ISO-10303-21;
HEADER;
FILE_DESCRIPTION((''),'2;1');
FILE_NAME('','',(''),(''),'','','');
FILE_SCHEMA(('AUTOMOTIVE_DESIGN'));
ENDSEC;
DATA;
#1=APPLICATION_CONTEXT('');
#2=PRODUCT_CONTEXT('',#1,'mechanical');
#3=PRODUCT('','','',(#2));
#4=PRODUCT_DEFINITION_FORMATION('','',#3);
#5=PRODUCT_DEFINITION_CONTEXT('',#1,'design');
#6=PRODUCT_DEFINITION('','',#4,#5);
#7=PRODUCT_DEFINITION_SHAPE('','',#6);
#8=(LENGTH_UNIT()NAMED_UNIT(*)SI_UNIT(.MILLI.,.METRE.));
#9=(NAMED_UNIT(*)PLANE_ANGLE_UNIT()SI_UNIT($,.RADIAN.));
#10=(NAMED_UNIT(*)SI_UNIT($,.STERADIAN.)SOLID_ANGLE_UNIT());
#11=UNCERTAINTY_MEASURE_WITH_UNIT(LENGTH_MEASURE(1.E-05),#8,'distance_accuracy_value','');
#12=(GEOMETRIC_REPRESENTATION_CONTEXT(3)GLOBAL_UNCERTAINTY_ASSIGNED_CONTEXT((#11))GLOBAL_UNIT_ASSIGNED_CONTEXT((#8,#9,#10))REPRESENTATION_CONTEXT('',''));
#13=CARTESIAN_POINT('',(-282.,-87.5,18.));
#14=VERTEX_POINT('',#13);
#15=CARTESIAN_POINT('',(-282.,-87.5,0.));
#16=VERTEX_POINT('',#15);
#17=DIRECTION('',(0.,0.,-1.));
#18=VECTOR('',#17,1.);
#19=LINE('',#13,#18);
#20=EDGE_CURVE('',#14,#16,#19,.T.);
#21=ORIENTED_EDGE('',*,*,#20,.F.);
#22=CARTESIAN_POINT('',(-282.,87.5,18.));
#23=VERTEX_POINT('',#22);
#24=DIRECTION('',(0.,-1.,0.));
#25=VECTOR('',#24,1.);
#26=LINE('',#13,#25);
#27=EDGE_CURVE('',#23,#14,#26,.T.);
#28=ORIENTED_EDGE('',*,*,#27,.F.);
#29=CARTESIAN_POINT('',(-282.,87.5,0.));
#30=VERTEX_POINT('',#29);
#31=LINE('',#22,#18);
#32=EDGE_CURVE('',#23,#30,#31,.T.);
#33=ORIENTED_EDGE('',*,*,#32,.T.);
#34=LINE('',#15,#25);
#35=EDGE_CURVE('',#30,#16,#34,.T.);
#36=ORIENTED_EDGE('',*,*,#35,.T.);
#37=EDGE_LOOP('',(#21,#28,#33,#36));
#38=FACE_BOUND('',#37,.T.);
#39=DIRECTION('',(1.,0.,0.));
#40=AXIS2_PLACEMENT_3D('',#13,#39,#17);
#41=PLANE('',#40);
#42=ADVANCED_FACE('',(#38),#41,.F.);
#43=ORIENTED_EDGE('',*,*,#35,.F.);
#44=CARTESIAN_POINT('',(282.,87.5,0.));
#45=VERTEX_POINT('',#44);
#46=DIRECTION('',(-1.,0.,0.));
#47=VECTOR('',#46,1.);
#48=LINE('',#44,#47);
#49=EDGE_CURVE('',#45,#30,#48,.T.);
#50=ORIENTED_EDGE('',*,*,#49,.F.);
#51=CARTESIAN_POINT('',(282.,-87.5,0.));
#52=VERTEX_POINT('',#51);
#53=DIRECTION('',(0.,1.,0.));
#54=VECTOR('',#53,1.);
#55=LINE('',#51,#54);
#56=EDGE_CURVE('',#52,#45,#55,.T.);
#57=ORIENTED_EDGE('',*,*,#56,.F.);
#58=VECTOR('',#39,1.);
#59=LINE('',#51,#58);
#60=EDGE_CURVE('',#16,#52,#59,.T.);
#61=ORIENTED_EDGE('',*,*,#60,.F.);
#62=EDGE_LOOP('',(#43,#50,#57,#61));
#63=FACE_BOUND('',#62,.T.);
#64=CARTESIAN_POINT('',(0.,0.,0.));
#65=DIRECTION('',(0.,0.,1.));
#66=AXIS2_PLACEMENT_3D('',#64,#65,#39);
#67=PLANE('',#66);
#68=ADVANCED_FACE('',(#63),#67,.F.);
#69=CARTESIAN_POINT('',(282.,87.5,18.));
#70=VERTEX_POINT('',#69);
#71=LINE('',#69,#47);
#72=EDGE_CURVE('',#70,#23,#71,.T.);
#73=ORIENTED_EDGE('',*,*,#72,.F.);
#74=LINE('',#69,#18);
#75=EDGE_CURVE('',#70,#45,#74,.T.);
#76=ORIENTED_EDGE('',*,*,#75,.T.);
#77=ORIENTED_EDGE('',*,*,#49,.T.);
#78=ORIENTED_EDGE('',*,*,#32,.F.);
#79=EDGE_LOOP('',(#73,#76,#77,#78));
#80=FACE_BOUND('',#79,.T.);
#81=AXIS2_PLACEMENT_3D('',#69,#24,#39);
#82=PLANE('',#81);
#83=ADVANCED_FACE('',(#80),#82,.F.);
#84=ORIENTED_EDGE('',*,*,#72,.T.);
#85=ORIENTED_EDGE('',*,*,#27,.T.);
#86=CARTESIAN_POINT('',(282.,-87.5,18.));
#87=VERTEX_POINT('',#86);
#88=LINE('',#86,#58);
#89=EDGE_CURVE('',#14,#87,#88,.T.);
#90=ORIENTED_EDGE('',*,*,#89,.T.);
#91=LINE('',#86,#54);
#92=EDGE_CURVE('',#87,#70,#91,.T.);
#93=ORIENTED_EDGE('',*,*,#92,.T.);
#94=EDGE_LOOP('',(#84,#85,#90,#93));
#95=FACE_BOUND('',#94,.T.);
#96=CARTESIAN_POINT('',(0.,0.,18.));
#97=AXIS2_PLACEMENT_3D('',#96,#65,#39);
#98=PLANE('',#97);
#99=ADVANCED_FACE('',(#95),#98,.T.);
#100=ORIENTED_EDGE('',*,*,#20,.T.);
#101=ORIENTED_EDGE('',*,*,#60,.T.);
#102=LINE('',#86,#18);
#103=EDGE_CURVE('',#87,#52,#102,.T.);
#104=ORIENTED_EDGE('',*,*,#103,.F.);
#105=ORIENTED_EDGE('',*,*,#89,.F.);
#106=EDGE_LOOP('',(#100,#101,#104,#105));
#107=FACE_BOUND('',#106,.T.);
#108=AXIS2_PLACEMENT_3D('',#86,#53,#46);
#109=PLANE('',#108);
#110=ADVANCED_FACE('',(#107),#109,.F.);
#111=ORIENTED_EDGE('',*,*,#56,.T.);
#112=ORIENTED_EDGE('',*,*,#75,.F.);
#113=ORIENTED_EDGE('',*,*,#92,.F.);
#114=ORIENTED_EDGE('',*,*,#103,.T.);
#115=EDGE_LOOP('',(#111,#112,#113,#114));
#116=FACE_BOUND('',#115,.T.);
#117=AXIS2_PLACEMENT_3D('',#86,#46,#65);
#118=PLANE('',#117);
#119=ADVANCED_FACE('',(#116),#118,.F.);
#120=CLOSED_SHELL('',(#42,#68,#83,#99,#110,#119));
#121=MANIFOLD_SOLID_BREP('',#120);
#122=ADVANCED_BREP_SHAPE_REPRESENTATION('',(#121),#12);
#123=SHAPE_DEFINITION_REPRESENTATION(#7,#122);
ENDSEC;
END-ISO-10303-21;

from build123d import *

# Parameters (mm, degrees)
SKETCH1_W           = 564
SKETCH1_H           = 175
BOSS_EXTRUDE1_DEPTH = 18


with BuildPart() as part:
    # Sketch1 → Boss-Extrude1 (new body)
    with BuildSketch(Plane.XY):
        Rectangle(SKETCH1_W, SKETCH1_H)
    extrude(amount=BOSS_EXTRUDE1_DEPTH)


solid = part.part
